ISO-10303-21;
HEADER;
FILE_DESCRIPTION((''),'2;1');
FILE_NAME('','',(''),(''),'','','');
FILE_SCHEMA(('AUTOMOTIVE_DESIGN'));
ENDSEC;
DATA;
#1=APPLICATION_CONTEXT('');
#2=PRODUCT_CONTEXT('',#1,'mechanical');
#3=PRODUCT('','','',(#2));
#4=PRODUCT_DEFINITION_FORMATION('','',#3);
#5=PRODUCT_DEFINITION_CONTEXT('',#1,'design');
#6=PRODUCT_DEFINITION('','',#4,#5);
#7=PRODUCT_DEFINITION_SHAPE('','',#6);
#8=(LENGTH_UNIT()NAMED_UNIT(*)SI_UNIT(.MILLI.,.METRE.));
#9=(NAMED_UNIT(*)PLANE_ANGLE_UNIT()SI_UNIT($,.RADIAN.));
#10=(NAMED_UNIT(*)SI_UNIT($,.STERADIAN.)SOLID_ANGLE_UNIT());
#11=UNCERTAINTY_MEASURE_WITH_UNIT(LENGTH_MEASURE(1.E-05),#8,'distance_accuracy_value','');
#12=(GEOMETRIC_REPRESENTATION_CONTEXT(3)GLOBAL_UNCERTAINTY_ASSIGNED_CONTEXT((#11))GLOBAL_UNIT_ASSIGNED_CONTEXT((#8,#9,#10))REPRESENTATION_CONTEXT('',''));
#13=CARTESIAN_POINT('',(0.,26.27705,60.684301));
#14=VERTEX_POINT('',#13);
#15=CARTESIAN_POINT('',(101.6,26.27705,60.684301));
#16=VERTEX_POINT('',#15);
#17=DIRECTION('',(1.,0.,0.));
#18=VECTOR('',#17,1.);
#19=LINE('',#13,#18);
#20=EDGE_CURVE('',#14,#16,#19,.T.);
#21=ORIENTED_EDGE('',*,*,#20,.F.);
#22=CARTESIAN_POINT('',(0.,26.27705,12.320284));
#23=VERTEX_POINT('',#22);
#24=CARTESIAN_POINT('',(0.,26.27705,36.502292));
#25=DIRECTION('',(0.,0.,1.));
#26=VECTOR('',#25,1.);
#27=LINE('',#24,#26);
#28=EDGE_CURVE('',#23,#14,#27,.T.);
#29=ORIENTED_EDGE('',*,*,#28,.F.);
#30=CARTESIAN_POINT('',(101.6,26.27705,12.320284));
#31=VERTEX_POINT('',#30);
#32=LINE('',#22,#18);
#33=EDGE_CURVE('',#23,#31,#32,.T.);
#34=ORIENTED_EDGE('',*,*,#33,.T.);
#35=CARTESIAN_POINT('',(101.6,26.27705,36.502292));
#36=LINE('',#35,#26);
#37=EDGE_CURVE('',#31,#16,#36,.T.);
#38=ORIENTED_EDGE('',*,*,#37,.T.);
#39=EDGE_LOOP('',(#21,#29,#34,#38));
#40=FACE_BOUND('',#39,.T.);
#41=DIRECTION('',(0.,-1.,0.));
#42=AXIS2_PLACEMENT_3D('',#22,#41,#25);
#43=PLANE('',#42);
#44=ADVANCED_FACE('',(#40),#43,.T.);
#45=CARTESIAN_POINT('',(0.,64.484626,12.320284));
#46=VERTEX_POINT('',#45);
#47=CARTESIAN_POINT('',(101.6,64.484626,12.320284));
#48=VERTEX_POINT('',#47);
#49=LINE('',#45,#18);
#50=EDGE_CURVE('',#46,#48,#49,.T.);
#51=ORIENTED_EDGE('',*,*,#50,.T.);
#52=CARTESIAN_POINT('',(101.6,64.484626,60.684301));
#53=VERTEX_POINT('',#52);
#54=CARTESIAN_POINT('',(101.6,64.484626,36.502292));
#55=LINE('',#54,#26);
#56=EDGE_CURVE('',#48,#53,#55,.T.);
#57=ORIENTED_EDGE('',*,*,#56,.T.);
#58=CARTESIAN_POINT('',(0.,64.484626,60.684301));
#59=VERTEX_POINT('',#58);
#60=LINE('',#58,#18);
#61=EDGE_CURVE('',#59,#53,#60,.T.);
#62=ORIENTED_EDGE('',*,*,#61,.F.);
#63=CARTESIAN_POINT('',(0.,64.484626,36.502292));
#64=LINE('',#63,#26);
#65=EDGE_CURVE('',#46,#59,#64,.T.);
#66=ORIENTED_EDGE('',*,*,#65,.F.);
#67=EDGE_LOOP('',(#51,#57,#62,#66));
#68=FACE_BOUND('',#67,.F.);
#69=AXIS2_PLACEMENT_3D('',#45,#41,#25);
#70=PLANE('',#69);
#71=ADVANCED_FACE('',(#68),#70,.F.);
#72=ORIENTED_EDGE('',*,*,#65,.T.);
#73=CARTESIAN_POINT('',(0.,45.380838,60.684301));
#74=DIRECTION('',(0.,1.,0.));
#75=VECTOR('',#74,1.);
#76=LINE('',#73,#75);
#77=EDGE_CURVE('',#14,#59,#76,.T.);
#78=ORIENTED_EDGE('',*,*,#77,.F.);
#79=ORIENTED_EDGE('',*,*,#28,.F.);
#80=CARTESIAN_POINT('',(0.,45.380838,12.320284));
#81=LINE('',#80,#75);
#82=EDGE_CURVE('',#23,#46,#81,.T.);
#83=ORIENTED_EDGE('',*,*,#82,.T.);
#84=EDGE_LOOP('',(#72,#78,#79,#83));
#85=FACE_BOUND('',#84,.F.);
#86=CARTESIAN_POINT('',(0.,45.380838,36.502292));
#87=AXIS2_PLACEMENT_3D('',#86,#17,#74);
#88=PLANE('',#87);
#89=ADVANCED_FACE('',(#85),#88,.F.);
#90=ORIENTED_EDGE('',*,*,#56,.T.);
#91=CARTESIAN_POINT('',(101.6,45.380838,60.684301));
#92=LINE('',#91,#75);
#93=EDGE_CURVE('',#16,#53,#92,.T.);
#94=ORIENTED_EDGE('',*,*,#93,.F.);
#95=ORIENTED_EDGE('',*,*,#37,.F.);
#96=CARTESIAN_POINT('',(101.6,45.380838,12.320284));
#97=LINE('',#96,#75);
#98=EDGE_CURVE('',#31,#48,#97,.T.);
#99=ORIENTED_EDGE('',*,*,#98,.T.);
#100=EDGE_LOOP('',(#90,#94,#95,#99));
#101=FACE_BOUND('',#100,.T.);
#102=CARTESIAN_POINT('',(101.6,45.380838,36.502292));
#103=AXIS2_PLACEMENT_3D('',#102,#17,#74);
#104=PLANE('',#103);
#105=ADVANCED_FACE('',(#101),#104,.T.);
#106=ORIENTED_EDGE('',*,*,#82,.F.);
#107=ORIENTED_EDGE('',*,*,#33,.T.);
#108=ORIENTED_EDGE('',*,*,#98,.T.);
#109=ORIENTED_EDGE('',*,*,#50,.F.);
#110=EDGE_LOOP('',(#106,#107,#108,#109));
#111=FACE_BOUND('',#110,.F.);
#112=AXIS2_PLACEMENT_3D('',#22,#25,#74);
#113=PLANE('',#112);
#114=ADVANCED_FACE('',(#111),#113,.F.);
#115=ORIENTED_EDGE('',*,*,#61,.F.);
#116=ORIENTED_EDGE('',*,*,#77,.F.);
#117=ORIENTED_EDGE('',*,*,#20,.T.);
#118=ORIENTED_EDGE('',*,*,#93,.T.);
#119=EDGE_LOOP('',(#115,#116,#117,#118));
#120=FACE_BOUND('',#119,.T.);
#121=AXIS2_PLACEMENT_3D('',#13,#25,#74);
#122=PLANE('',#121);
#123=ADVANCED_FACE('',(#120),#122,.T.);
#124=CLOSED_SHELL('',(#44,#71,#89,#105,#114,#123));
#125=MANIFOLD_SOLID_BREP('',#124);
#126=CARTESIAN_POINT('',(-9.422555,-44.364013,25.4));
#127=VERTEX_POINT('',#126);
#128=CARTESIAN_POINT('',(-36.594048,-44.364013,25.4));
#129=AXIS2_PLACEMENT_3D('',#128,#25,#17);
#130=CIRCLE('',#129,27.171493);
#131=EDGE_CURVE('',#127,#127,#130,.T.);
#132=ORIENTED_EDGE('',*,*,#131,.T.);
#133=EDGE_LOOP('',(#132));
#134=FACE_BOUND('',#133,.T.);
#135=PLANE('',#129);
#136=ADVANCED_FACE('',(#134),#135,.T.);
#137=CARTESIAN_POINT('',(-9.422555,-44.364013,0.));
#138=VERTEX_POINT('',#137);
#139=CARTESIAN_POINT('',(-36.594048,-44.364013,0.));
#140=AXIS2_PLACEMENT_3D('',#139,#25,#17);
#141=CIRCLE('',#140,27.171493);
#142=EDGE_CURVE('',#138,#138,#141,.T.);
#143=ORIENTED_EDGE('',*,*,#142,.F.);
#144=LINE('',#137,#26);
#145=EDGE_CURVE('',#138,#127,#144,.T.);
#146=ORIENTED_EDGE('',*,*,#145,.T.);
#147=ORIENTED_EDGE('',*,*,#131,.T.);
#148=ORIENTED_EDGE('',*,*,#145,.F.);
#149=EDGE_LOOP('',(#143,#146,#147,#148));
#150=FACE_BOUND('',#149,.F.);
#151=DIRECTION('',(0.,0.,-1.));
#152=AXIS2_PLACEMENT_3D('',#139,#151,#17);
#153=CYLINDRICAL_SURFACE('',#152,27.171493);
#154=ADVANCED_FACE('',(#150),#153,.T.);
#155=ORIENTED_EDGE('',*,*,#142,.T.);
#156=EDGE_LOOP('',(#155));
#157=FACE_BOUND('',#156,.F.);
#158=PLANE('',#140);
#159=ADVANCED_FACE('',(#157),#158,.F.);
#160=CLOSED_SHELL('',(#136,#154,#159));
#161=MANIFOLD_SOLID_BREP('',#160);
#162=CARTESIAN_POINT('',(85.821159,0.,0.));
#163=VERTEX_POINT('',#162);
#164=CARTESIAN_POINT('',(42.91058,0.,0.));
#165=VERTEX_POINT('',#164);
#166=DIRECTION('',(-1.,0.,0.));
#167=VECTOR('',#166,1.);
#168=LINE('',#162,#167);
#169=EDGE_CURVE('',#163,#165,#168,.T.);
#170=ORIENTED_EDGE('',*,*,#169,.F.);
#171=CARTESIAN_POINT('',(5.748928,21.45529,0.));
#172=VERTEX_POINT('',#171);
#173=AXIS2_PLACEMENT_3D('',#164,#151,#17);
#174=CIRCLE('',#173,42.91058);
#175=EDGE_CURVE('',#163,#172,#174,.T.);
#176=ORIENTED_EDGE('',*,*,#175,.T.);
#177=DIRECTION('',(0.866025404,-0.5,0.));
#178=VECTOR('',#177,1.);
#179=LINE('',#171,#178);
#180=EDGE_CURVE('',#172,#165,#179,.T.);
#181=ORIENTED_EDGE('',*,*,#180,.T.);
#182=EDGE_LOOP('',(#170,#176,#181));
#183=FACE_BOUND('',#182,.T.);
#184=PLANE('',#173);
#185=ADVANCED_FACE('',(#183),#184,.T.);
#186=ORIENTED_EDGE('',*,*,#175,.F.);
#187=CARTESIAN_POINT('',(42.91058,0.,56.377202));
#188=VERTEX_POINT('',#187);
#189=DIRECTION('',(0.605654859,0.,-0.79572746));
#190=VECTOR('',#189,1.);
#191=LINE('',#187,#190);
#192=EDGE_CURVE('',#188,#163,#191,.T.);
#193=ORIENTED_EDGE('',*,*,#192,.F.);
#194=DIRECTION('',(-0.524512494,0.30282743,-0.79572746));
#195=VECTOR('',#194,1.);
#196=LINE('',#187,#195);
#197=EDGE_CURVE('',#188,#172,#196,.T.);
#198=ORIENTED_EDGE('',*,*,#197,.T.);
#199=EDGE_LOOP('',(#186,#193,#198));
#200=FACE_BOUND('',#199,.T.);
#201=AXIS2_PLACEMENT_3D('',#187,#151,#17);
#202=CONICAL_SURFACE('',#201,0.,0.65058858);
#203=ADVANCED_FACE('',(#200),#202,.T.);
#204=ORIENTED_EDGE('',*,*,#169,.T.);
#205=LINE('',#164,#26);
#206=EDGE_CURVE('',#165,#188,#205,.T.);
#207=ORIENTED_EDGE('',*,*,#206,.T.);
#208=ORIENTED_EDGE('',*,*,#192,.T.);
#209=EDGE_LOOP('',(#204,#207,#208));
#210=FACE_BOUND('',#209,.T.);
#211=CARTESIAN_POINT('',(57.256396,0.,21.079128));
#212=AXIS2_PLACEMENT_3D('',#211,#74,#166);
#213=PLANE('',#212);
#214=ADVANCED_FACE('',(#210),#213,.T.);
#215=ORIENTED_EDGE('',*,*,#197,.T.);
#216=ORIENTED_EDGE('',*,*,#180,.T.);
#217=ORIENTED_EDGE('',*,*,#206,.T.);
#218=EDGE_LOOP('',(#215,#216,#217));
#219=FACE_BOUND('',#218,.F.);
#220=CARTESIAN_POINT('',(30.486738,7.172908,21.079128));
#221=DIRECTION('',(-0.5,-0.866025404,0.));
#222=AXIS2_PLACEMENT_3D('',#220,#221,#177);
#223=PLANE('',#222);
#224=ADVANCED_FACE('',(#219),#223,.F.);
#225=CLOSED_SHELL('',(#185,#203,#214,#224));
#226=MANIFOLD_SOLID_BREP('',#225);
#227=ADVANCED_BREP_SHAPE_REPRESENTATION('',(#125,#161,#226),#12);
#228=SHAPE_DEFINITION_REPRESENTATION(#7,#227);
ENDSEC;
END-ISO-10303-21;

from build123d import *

# Parameters (mm, degrees)
F1_ANGLE_BACK = 180
F1_ANGLE      = 210
F2_W          = 38.2075756788
F2_H          = 48.3640171587
F3_DEPTH      = 101.6
F4_R          = 27.1714932238
F5_DEPTH      = 25.4


with BuildPart() as f1:
    # F0 (on Front) → F1 (revolve)
    with BuildSketch(Plane.XZ, mode=Mode.PRIVATE) as f1_sk:
        Polygon((42.910579592, 56.3772022724), (0, 0), (42.910579592, 0), align=None)
    revolve(f1_sk.sketch.rotate(Axis((42.910579592, 0, 28.1886011362), (0, 0, -1)), -F1_ANGLE_BACK), axis=Axis((42.910579592, 0, 28.1886011362), (0, 0, -1)), revolution_arc=F1_ANGLE)


with BuildPart() as f3:
    # F2 (on Right) → F3 (new body)
    with BuildSketch(Plane.YZ):
        with Locations((45.3808382154, 36.5022923797)):
            Rectangle(F2_W, F2_H)
    extrude(amount=F3_DEPTH)


with BuildPart() as f5:
    # F4 (on Top) → F5 (new body)
    with BuildSketch(Plane.XY):
        with Locations((-36.5940481424, -44.3640127778)):
            Circle(F4_R)
    extrude(amount=F5_DEPTH)


solid = Compound([f1.part, f3.part, f5.part])
